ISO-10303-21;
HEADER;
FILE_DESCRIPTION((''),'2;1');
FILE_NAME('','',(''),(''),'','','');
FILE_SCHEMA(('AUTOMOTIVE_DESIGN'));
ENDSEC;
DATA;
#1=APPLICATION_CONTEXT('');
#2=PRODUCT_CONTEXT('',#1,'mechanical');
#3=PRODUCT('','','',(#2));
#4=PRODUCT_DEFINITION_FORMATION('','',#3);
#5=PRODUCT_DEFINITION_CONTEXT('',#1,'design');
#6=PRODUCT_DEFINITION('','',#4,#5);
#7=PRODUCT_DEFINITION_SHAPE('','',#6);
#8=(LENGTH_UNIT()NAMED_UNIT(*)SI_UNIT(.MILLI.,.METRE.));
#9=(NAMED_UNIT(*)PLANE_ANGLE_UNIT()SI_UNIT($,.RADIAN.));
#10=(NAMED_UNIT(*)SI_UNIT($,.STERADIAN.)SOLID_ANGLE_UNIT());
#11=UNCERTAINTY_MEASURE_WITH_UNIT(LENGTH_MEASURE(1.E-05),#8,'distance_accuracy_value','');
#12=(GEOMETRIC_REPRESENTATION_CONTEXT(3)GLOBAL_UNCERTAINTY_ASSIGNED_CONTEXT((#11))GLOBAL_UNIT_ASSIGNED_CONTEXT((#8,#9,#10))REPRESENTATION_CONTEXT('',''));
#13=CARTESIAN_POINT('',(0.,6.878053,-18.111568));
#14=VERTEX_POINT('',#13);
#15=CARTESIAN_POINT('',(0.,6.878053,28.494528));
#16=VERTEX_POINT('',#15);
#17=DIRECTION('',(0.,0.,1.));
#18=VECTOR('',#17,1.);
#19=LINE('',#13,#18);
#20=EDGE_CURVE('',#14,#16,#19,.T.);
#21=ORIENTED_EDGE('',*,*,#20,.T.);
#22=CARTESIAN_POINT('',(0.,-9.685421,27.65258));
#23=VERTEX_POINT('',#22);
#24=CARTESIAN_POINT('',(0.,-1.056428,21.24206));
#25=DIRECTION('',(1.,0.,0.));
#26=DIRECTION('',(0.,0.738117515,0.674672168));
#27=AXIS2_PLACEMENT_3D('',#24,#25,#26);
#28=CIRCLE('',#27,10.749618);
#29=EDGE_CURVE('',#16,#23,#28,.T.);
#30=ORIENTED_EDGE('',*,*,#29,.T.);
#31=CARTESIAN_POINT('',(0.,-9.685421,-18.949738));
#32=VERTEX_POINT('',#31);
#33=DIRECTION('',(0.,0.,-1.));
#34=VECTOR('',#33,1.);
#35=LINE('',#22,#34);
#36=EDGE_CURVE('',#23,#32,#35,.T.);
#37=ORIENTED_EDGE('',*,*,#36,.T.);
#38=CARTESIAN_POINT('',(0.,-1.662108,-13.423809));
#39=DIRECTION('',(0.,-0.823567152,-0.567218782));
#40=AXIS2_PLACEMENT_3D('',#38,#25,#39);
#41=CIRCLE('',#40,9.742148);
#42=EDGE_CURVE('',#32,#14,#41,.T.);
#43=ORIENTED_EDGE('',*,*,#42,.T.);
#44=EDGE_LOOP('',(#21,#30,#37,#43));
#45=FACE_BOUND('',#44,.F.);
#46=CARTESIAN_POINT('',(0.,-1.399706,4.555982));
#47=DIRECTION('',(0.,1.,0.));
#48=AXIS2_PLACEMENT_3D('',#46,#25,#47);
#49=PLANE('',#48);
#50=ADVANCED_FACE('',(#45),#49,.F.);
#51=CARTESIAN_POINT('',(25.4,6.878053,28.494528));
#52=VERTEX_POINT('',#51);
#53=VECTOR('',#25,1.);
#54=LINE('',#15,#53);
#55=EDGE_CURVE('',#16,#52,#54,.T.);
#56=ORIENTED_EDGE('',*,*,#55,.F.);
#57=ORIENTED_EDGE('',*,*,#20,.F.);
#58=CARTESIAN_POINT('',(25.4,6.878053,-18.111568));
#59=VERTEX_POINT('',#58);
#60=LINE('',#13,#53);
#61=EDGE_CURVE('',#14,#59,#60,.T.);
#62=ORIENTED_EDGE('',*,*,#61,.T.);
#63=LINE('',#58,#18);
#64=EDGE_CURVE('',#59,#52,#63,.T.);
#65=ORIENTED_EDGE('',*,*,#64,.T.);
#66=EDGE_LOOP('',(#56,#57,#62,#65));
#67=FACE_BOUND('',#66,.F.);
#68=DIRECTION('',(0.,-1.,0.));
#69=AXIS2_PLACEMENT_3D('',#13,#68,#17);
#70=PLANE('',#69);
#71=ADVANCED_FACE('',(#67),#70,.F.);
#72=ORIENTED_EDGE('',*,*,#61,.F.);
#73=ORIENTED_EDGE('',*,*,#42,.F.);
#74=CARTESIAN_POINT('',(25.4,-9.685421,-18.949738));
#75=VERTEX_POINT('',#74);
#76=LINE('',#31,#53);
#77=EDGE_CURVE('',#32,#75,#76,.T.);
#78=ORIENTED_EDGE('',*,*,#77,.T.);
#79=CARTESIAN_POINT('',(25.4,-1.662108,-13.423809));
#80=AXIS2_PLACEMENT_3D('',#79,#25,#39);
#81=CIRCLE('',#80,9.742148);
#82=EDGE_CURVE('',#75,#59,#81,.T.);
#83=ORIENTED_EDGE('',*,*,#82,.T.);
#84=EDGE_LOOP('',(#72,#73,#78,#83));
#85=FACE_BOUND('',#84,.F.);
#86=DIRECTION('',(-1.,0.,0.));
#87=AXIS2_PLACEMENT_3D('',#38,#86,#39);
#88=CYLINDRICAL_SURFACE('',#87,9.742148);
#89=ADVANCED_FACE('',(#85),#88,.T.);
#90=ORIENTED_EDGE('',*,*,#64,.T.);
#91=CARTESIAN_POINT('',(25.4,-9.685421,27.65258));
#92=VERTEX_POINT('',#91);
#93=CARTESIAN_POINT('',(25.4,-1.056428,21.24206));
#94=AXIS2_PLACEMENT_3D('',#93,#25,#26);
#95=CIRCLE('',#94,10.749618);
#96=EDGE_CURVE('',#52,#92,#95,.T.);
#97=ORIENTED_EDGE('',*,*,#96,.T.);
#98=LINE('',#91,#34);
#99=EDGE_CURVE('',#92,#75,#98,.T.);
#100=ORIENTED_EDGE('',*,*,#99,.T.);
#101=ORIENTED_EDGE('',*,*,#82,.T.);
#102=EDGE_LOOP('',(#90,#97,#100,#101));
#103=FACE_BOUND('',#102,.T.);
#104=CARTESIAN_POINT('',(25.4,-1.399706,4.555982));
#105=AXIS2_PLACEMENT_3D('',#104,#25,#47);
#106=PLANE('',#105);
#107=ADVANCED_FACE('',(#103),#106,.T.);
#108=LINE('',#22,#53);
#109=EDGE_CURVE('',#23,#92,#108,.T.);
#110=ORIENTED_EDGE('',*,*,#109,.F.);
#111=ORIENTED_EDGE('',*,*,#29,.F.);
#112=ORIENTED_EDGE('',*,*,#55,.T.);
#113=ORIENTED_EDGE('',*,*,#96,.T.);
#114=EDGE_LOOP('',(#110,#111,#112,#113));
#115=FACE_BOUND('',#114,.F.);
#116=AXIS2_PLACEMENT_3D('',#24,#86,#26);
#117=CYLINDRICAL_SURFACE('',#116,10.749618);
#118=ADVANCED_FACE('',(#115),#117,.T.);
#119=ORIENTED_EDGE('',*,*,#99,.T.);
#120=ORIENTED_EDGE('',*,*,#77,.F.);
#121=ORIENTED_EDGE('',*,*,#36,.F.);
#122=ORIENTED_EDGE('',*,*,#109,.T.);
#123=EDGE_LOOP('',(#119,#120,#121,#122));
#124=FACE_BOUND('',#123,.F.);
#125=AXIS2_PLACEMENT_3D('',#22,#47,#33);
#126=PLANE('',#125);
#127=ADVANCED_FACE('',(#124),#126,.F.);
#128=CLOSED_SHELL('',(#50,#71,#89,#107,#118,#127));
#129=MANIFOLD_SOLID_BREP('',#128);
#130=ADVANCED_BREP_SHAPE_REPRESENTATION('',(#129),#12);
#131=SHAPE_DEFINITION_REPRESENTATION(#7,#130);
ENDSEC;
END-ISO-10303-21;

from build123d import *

# Parameters (mm, degrees)
F1_DEPTH = 25.4


with BuildPart() as f1:
    # F0 (on Right) → F1 (new body)
    with BuildSketch(Plane.YZ):
        with BuildLine():
            Line((6.878053, -18.111568), (6.878053, 28.494528))
            ThreePointArc((6.878053, 28.494528), (-1.602144, 31.977817), (-9.685421, 27.65258))
            Line((-9.685421, 27.65258), (-9.685421, -18.949738))
            ThreePointArc((-9.685421, -18.949738), (-1.169752, -23.153507), (6.878053, -18.111568))
        make_face()
    extrude(amount=F1_DEPTH)


solid = f1.part
